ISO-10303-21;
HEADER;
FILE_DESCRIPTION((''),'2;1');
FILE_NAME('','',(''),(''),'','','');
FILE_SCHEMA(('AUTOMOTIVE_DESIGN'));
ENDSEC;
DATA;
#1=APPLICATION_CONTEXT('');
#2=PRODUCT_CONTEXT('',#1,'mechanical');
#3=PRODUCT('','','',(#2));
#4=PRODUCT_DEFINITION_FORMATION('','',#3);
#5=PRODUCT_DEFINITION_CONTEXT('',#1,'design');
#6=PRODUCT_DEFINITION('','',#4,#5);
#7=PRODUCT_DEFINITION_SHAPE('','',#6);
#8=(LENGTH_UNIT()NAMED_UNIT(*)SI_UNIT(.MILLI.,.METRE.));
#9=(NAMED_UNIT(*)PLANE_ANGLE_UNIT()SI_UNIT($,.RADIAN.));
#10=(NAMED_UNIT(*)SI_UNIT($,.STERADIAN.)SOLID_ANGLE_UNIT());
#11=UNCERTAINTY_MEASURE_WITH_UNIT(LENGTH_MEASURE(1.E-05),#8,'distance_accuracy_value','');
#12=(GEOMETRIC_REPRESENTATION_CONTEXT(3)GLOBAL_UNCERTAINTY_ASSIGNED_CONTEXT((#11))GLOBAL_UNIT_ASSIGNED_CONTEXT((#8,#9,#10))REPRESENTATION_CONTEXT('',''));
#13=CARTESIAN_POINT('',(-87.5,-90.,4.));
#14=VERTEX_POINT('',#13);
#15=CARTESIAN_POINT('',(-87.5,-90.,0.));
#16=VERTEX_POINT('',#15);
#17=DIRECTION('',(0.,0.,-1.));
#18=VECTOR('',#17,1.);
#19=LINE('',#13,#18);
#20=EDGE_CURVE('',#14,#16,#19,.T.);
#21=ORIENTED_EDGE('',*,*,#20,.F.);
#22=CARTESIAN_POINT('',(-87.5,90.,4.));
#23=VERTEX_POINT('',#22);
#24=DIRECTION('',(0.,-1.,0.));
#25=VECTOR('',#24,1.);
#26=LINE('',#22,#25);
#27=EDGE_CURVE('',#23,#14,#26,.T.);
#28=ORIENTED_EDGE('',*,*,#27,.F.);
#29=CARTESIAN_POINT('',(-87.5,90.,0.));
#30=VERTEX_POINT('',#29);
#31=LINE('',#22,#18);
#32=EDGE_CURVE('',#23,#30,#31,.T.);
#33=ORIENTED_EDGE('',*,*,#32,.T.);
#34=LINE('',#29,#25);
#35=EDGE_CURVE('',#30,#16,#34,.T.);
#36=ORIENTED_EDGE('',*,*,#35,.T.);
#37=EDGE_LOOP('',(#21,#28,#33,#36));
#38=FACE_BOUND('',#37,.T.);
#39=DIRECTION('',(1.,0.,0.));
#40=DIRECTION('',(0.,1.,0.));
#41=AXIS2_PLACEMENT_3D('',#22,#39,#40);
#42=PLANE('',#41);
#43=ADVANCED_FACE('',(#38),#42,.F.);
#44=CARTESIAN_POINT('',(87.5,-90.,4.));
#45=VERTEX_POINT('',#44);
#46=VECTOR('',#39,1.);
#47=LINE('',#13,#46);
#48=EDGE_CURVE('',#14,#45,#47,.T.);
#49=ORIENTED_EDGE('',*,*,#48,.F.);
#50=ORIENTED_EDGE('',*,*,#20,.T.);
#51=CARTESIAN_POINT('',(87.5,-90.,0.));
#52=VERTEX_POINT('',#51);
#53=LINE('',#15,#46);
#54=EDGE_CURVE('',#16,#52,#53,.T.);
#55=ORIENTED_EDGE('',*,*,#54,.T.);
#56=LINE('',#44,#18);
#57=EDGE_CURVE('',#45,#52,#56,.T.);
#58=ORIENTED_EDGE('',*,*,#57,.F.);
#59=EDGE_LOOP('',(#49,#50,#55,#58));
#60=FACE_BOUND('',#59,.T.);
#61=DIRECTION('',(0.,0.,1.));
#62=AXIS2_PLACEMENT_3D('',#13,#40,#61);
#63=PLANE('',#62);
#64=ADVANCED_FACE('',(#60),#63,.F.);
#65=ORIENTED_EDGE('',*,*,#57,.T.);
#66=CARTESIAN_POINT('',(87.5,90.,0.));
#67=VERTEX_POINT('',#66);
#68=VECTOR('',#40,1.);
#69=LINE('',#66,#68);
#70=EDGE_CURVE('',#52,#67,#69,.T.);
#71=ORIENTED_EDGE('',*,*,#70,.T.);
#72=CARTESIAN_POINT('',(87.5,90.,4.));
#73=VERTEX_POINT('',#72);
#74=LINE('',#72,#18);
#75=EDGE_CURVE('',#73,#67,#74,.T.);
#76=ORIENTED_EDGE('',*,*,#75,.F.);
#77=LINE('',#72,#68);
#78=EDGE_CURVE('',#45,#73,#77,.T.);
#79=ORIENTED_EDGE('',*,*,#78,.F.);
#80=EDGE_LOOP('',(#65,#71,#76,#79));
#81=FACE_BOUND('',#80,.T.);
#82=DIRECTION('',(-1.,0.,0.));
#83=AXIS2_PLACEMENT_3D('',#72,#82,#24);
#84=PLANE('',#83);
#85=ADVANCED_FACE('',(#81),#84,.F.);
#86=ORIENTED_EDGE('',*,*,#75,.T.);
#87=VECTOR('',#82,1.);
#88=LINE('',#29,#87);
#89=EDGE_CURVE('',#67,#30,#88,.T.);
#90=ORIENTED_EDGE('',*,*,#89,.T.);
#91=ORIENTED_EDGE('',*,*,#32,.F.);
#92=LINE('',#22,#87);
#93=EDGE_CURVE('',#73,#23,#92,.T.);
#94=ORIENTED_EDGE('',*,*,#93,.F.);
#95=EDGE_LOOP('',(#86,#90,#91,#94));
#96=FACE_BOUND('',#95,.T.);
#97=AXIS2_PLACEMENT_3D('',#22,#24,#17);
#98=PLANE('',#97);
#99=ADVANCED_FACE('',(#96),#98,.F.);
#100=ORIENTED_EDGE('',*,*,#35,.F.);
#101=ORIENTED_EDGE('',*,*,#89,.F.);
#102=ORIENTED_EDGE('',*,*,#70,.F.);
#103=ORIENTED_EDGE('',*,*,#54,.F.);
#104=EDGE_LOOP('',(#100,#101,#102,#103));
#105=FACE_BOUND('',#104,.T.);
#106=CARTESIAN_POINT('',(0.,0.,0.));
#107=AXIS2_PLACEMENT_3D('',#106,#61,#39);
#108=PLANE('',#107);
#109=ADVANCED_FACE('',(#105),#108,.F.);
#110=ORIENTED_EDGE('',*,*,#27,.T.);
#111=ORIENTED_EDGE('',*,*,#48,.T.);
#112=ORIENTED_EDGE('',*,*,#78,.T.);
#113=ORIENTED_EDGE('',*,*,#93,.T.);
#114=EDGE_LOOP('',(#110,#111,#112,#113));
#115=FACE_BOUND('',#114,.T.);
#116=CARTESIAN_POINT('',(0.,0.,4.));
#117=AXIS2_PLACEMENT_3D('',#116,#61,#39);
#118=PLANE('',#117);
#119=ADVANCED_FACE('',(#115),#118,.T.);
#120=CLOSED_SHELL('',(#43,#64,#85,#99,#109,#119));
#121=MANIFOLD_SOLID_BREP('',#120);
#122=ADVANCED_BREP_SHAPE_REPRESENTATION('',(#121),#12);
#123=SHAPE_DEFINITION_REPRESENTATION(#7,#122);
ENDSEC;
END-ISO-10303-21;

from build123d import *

# Parameters (mm, degrees)
SKETCH_1_W      = 175
SKETCH_1_H      = 180
EXTRUDE_1_DEPTH = 4


with BuildPart() as part:
    # 草图1 → 凸台-拉伸1 (new body)
    with BuildSketch(Plane.XY):
        Rectangle(SKETCH_1_W, SKETCH_1_H)
    extrude(amount=EXTRUDE_1_DEPTH)


solid = part.part
